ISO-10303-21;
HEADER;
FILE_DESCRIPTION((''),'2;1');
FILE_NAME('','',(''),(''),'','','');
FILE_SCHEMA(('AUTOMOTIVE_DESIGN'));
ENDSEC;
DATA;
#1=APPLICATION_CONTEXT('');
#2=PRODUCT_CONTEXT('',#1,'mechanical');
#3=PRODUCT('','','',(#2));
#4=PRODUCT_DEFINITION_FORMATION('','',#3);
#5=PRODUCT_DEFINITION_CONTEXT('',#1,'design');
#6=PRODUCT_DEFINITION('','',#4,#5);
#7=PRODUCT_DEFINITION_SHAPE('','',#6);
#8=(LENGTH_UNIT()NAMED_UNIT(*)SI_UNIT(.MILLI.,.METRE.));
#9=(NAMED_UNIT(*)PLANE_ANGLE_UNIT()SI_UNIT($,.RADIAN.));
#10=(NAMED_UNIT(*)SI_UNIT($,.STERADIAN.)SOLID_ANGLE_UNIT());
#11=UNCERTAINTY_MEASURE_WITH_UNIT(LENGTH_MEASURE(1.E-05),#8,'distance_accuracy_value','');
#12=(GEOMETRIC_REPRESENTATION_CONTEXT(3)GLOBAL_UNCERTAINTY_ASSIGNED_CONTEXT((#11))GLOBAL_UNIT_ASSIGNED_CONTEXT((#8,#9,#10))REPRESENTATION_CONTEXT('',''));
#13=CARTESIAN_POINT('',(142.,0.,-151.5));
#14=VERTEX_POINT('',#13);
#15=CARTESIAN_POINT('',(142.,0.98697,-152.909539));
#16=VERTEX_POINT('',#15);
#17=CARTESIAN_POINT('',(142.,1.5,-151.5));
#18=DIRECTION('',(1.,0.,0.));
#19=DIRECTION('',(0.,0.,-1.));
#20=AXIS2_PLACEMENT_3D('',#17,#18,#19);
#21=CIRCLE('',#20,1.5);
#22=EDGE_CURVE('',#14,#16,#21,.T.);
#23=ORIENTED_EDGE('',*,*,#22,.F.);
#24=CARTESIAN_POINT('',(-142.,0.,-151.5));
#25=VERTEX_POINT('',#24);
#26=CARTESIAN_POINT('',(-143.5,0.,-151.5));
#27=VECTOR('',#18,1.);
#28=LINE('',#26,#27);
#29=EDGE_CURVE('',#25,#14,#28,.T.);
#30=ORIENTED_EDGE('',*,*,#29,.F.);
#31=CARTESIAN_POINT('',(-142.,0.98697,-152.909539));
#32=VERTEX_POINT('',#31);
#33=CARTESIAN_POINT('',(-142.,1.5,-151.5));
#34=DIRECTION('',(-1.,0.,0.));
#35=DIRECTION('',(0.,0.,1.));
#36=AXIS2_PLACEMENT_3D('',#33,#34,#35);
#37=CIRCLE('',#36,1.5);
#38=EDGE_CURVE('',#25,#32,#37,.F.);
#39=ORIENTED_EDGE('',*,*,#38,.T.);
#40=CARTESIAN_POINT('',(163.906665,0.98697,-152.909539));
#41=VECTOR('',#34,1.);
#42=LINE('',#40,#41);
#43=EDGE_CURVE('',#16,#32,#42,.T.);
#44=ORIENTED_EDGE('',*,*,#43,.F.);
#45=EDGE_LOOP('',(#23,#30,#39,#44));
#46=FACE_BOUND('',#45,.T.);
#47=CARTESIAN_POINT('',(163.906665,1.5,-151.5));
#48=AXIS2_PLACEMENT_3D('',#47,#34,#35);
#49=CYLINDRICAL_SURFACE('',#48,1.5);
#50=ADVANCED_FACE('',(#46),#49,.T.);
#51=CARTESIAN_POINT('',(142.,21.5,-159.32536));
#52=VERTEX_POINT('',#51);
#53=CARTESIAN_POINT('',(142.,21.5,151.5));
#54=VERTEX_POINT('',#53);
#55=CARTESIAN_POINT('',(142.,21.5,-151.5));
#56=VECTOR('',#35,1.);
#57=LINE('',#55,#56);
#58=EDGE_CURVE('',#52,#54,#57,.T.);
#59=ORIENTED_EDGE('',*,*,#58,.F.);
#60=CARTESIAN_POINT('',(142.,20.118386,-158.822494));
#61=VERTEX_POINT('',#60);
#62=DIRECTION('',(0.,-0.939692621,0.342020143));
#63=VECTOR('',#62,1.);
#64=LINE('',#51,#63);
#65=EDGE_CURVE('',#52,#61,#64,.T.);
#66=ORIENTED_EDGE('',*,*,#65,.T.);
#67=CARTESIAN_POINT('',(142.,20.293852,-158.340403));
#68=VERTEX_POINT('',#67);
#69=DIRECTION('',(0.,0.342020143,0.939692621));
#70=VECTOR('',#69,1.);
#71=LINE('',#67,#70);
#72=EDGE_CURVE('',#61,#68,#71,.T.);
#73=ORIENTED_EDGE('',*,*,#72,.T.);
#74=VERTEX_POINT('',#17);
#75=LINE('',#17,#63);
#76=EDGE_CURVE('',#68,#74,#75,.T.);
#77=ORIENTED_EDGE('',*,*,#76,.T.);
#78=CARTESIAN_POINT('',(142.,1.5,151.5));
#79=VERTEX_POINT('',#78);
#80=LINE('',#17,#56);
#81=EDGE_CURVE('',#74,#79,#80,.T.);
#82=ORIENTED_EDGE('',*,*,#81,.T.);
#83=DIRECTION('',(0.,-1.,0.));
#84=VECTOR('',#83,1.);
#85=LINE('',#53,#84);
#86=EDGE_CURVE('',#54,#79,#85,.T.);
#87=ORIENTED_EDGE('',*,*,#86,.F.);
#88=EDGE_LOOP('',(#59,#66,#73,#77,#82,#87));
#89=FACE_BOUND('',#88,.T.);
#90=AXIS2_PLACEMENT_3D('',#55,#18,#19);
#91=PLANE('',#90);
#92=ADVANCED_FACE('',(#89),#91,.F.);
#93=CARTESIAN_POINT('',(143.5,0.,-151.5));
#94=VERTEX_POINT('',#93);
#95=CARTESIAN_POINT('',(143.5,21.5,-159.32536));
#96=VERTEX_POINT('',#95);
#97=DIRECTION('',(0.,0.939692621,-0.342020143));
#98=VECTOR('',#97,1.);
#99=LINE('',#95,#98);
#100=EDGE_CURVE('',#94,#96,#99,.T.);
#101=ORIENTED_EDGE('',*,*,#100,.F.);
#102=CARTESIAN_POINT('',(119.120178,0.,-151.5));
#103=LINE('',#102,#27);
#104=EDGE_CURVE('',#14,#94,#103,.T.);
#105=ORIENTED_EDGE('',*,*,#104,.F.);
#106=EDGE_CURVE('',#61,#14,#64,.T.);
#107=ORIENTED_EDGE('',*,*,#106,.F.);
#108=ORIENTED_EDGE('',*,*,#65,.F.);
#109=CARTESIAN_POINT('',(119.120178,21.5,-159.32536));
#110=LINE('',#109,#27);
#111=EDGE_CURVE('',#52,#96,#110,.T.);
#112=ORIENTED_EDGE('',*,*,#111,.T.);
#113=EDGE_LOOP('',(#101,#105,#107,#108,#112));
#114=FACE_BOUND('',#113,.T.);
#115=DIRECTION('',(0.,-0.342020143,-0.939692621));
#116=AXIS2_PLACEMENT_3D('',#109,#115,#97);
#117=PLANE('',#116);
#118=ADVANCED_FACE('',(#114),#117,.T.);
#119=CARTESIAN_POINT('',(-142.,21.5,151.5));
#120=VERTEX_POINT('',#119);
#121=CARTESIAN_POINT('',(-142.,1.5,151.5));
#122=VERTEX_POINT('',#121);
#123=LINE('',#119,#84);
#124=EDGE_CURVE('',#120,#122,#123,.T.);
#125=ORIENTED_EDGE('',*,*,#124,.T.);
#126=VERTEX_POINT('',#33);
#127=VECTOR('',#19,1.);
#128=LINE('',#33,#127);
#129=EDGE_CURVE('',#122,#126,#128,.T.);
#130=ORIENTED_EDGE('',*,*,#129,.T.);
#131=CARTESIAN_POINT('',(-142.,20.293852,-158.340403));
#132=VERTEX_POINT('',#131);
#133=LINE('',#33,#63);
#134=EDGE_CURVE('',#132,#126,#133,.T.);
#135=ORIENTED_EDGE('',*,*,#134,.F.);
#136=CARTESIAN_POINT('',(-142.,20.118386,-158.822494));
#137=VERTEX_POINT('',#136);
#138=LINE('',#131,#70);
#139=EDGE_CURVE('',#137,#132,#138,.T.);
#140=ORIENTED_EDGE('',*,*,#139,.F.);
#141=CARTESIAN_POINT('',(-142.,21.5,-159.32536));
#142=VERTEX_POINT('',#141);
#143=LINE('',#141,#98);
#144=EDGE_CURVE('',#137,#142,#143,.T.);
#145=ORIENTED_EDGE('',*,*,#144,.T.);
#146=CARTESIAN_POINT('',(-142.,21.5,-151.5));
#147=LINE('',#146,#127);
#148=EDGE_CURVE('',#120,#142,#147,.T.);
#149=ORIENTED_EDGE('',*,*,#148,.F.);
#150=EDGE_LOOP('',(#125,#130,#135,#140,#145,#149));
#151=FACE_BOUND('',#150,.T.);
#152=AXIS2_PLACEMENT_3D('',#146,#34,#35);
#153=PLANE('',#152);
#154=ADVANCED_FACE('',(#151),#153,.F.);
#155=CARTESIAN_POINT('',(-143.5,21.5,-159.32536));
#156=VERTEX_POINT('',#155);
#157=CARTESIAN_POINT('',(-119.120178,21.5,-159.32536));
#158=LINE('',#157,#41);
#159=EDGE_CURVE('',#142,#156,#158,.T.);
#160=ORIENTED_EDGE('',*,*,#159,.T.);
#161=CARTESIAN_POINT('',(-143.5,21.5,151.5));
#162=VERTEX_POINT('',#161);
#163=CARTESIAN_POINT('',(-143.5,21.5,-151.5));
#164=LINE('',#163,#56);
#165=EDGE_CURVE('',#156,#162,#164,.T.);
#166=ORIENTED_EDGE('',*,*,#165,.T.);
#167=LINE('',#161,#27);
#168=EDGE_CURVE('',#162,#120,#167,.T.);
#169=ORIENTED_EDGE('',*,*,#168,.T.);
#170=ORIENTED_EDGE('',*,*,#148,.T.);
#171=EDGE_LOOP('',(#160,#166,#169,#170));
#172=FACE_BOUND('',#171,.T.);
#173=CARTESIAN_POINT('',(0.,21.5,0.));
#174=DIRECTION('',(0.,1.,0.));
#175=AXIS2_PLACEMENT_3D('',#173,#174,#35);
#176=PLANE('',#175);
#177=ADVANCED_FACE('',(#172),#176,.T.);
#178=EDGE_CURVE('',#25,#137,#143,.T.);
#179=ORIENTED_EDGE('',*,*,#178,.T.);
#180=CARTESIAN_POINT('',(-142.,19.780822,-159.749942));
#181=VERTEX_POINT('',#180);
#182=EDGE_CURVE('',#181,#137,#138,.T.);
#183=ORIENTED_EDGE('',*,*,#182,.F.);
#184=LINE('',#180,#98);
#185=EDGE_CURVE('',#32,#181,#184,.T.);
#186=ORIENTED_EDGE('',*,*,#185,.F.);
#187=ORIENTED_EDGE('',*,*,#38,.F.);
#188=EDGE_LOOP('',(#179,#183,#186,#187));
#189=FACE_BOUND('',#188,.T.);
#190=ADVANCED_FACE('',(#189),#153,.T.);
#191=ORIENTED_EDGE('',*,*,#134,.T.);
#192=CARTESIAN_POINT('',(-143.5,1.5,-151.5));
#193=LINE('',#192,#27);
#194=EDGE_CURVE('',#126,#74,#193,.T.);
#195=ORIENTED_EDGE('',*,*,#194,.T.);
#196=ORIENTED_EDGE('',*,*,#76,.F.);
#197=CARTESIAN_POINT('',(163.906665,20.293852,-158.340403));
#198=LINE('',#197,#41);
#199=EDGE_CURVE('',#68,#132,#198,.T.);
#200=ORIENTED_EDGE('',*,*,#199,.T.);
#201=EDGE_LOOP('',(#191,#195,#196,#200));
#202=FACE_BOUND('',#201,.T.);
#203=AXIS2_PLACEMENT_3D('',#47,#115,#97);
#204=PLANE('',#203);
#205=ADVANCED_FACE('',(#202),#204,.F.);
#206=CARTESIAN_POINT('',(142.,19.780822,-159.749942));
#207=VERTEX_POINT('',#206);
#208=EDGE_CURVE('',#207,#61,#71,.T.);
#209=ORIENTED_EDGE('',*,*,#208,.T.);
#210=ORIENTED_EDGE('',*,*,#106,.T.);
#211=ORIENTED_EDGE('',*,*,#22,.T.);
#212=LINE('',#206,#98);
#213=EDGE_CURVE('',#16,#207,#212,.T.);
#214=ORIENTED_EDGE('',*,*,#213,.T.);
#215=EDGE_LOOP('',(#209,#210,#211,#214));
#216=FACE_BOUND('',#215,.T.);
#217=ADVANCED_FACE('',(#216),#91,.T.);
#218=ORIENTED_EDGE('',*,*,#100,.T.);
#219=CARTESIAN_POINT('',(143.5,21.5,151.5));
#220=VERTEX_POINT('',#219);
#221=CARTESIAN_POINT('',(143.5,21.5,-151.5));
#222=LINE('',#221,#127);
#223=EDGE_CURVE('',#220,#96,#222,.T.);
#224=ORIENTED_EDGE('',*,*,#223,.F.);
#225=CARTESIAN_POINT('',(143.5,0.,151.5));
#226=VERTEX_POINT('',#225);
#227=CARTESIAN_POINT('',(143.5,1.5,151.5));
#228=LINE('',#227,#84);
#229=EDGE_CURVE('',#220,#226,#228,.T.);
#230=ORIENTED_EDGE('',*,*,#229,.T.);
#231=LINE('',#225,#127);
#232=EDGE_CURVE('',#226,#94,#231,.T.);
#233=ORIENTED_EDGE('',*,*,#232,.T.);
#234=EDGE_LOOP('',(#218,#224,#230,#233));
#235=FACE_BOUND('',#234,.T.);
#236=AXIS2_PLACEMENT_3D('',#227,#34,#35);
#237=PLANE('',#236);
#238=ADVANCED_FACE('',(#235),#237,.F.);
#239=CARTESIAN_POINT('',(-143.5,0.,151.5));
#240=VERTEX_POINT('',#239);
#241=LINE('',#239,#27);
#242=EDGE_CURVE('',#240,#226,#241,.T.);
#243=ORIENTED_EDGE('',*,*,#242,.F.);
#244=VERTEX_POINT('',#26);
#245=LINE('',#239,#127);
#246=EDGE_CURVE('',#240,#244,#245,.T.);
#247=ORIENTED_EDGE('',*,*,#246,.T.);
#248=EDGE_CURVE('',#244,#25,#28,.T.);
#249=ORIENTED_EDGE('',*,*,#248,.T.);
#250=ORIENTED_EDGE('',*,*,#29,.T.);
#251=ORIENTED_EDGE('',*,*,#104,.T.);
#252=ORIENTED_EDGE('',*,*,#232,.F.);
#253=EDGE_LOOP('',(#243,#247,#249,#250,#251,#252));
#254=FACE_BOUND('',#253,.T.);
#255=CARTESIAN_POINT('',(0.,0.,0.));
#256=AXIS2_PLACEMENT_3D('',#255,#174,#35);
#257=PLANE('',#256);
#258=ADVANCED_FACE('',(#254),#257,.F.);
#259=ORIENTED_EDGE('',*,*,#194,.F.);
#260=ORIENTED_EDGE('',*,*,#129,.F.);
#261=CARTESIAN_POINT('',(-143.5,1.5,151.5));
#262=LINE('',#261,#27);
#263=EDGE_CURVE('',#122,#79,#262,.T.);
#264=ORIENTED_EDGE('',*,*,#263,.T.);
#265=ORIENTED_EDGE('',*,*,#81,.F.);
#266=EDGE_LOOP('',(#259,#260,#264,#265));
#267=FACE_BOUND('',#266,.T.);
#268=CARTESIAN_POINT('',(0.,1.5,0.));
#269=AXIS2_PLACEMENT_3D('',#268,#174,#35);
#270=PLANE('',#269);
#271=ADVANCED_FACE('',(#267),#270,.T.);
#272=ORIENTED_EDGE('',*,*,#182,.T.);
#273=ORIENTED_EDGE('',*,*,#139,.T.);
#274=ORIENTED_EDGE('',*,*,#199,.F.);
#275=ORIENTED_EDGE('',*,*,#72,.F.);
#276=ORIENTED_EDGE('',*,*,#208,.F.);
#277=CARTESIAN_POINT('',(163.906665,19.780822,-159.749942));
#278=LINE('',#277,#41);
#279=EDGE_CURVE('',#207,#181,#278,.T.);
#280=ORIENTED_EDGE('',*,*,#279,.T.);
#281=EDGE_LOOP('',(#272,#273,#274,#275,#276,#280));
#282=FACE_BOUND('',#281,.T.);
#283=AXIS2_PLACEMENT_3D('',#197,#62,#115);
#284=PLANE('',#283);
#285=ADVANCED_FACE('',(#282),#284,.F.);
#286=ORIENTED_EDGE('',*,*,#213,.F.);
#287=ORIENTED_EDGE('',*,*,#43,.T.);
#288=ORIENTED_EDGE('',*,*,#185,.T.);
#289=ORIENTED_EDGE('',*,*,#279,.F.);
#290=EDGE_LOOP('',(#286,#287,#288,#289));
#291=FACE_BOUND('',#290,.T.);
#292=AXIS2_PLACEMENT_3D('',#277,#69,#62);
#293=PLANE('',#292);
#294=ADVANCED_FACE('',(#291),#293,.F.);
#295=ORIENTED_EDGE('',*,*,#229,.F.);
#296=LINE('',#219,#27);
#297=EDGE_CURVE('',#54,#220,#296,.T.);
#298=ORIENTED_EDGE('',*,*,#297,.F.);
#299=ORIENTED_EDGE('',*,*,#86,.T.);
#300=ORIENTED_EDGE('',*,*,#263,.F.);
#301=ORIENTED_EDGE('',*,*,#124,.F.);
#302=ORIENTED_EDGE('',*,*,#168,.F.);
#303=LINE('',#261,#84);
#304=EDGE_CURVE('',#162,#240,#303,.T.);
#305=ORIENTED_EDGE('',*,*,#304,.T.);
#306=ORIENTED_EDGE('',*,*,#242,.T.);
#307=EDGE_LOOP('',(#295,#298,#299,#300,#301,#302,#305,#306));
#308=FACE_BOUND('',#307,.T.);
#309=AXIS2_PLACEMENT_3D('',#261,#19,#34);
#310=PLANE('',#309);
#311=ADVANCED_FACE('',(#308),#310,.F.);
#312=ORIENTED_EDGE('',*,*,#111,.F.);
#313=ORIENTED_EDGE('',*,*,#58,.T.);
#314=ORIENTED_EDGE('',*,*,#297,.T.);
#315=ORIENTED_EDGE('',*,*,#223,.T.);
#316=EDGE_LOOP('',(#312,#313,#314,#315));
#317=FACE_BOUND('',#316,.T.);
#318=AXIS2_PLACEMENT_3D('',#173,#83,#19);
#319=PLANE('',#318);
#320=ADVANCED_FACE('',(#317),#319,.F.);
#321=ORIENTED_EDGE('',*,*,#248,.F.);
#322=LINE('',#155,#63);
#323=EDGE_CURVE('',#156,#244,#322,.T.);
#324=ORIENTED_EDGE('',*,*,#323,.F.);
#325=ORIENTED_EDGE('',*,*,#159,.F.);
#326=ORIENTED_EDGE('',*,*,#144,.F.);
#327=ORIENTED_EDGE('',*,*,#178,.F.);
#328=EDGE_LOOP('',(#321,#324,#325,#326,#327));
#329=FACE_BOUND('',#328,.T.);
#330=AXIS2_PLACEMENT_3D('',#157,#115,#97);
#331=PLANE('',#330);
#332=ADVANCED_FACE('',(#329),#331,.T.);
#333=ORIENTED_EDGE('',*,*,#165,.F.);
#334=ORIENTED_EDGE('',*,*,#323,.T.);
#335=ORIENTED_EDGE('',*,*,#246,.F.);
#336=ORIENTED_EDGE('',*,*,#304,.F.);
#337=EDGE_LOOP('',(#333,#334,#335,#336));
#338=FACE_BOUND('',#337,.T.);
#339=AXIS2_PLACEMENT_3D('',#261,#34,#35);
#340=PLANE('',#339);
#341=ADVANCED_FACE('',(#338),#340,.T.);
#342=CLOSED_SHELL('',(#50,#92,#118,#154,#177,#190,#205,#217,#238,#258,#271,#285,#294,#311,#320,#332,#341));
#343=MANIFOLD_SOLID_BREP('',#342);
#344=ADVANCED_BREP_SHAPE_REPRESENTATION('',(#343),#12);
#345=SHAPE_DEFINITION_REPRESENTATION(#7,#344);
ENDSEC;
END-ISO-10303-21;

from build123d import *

# Parameters (mm, degrees)
SKETCH1_W                        = 287
SKETCH1_H                        = 303
BOSS_EXTRUDE1_DEPTH              = 1.5
SKETCH8_W                        = 1.5
SKETCH8_H                        = 303
BOSS_EXTRUDE8_DEPTH              = 20
BOSS_EXTRUDE12_DEPTH             = 1.5
BOSS_EXTRUDE13_DEPTH             = 1.5
BOSS_EXTRUDE14_REACH             = 217.497
BOSS_EXTRUDE14_DIRECTION_2_REACH = 217.497


with BuildPart() as part:
    # Sketch1 → Boss-Extrude1 (new body)
    with BuildSketch(Plane(origin=(0, 0, 0), x_dir=(1, 0, 0), z_dir=(0, 1, 0))):
        Rectangle(SKETCH1_W, SKETCH1_H)
    extrude(amount=BOSS_EXTRUDE1_DEPTH)

    # Sketch8 → Boss-Extrude8 (add)
    with BuildSketch(Plane(origin=(0, 1.5, 0), x_dir=(1, 0, 0), z_dir=(0, 1, 0))):
        with Locations((-142.75, 0)):
            Rectangle(SKETCH8_W, SKETCH8_H)
        with Locations((142.75, 0)):
            Rectangle(SKETCH8_W, SKETCH8_H)
    extrude(amount=BOSS_EXTRUDE8_DEPTH)

    # Sketch12 → Boss-Extrude12 (add)
    with BuildSketch(Plane.ZY.offset(143.5)):
        Polygon((-151.5, 21.5), (-159.325360037, 21.5), (-151.5, 0), align=None)
    extrude(amount=-BOSS_EXTRUDE12_DEPTH)

    # Sketch13 → Boss-Extrude13 (add)
    with BuildSketch(Plane(origin=(143.5, 0, 0), x_dir=(0, 0, -1), z_dir=(1, 0, 0))):
        Polygon((151.5, 0), (151.5, 21.5), (159.325360037, 21.5), align=None)
    extrude(amount=-BOSS_EXTRUDE13_DEPTH)

    # Boss-Extrude14: up to this face of the body (flat: up to its plane)
    boss_extrude14_end = Plane(part.part.faces().sort_by_distance((142, 11.538792752, -2.109985057))[0])
    # Sketch15 → Boss-Extrude14 (add, up to the picked face)
    with BuildSketch(Plane(origin=(0, 0, 0), x_dir=(0, 0, -1), z_dir=(1, 0, 0)), mode=Mode.PRIVATE) as boss_extrude14_sk1:
        with BuildLine():
            Line((151.5, 1.5), (158.340402867, 20.293852416))
            Line((158.340402867, 20.293852416), (159.749941798, 19.780822201))
            Line((159.749941798, 19.780822201), (152.909538931, 0.986969785))
            ThreePointArc((152.909538931, 0.986969785), (152.360364655, 0.271271934), (151.5, 0))
            Line((151.5, 0), (151.5, 1.5))
        make_face()
    boss_extrude14_tool1 = split(extrude(boss_extrude14_sk1.sketch, amount=BOSS_EXTRUDE14_REACH, mode=Mode.PRIVATE), bisect_by=boss_extrude14_end, keep=Keep.BOTH, mode=Mode.PRIVATE)
    add(boss_extrude14_tool1.solids().sort_by(Axis((0, 10.206295, -155.467858), (1, 0, 0)))[0])

    # Boss-Extrude14 direction 2: up to this face of the body (flat: up to its plane)
    boss_extrude14_direction_2_end = Plane(part.part.faces().sort_by_distance((-142, 11.538792752, -2.109985057))[0])
    # Sketch15 → Boss-Extrude14 direction 2 (add, up to the picked face)
    with BuildSketch(Plane(origin=(0, 0, 0), x_dir=(0, 0, -1), z_dir=(1, 0, 0)), mode=Mode.PRIVATE) as boss_extrude14_direction_2_sk1:
        with BuildLine():
            Line((151.5, 1.5), (158.340402867, 20.293852416))
            Line((158.340402867, 20.293852416), (159.749941798, 19.780822201))
            Line((159.749941798, 19.780822201), (152.909538931, 0.986969785))
            ThreePointArc((152.909538931, 0.986969785), (152.360364655, 0.271271934), (151.5, 0))
            Line((151.5, 0), (151.5, 1.5))
        make_face()
    boss_extrude14_direction_2_tool1 = split(extrude(boss_extrude14_direction_2_sk1.sketch, amount=-BOSS_EXTRUDE14_DIRECTION_2_REACH, mode=Mode.PRIVATE), bisect_by=boss_extrude14_direction_2_end, keep=Keep.BOTH, mode=Mode.PRIVATE)
    add(boss_extrude14_direction_2_tool1.solids().sort_by(Axis((0, 10.206295, -155.467858), (-1, 0, 0)))[0])


solid = part.part
